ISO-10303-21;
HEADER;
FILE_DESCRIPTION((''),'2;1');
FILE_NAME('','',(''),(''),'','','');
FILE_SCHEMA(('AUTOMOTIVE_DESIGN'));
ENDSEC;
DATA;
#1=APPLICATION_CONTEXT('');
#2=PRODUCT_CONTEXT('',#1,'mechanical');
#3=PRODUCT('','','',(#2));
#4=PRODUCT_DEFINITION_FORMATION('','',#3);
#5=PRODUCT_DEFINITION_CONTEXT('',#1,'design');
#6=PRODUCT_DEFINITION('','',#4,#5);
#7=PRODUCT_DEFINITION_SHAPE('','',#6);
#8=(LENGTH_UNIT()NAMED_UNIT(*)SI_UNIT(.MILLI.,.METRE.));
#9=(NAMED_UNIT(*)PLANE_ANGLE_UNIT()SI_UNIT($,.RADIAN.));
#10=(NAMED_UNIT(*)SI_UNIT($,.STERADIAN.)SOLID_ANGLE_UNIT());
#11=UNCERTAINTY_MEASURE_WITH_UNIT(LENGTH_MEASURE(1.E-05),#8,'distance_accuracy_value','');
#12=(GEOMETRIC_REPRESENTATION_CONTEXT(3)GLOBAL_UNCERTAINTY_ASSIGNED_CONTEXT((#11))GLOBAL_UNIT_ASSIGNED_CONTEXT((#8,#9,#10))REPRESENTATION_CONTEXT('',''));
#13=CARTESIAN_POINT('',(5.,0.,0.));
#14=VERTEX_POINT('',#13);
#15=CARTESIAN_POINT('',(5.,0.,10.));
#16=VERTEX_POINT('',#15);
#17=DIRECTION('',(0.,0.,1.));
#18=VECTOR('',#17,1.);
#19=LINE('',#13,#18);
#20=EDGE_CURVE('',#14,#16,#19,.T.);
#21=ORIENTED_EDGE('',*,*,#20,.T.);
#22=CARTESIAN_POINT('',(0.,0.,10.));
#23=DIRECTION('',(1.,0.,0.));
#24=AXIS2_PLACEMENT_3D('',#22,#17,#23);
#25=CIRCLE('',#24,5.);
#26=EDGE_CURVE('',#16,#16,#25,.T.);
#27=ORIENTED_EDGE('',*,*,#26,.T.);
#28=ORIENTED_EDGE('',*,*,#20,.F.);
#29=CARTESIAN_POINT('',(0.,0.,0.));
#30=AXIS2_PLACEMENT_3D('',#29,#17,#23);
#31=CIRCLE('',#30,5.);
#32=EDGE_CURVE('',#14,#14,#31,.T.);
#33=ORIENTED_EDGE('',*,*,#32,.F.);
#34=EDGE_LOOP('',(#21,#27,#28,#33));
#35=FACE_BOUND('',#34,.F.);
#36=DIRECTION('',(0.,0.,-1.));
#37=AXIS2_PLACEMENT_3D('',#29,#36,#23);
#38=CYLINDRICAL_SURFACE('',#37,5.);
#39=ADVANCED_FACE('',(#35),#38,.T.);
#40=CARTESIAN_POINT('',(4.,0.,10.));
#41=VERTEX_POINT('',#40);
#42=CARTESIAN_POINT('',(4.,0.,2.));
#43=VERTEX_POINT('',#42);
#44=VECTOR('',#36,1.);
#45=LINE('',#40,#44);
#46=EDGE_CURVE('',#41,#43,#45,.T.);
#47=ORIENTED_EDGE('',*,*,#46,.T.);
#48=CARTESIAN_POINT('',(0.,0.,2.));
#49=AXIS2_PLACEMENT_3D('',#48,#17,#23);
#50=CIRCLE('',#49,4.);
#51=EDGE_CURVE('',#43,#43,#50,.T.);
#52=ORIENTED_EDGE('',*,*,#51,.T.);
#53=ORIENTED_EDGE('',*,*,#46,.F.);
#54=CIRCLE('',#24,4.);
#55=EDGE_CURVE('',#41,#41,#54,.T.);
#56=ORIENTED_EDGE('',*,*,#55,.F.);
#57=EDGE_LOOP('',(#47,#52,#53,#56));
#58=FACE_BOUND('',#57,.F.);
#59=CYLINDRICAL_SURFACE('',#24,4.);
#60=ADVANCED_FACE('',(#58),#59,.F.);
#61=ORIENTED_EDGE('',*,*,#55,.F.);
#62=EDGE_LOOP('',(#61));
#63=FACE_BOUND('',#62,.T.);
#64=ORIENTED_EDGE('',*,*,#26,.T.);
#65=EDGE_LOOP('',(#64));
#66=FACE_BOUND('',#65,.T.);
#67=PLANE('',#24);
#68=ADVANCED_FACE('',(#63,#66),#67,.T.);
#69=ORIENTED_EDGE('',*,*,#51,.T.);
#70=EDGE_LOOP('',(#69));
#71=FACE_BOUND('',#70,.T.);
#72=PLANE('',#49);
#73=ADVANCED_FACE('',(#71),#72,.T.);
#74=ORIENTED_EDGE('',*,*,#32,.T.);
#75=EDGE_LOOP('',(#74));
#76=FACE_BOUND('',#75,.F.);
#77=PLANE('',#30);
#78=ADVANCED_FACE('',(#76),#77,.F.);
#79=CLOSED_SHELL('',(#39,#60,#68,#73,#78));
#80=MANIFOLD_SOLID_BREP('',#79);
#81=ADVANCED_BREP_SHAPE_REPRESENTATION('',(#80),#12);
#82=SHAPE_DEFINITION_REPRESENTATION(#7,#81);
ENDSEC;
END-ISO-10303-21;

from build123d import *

# Parameters (mm, degrees)
SKETCH_R     = 5
PAD_DEPTH    = 10
SKETCH001_R  = 4
POCKET_DEPTH = 8


with BuildPart() as part:
    # Sketch → Pad (new body)
    with BuildSketch(Plane.XY):
        Circle(SKETCH_R)
    extrude(amount=PAD_DEPTH)

    # Sketch001 (on Face3 of Pad) → Pocket (cut)
    with BuildSketch(Plane.XY.offset(10)):
        Circle(SKETCH001_R)
    extrude(amount=-POCKET_DEPTH, mode=Mode.SUBTRACT)


solid = part.part
